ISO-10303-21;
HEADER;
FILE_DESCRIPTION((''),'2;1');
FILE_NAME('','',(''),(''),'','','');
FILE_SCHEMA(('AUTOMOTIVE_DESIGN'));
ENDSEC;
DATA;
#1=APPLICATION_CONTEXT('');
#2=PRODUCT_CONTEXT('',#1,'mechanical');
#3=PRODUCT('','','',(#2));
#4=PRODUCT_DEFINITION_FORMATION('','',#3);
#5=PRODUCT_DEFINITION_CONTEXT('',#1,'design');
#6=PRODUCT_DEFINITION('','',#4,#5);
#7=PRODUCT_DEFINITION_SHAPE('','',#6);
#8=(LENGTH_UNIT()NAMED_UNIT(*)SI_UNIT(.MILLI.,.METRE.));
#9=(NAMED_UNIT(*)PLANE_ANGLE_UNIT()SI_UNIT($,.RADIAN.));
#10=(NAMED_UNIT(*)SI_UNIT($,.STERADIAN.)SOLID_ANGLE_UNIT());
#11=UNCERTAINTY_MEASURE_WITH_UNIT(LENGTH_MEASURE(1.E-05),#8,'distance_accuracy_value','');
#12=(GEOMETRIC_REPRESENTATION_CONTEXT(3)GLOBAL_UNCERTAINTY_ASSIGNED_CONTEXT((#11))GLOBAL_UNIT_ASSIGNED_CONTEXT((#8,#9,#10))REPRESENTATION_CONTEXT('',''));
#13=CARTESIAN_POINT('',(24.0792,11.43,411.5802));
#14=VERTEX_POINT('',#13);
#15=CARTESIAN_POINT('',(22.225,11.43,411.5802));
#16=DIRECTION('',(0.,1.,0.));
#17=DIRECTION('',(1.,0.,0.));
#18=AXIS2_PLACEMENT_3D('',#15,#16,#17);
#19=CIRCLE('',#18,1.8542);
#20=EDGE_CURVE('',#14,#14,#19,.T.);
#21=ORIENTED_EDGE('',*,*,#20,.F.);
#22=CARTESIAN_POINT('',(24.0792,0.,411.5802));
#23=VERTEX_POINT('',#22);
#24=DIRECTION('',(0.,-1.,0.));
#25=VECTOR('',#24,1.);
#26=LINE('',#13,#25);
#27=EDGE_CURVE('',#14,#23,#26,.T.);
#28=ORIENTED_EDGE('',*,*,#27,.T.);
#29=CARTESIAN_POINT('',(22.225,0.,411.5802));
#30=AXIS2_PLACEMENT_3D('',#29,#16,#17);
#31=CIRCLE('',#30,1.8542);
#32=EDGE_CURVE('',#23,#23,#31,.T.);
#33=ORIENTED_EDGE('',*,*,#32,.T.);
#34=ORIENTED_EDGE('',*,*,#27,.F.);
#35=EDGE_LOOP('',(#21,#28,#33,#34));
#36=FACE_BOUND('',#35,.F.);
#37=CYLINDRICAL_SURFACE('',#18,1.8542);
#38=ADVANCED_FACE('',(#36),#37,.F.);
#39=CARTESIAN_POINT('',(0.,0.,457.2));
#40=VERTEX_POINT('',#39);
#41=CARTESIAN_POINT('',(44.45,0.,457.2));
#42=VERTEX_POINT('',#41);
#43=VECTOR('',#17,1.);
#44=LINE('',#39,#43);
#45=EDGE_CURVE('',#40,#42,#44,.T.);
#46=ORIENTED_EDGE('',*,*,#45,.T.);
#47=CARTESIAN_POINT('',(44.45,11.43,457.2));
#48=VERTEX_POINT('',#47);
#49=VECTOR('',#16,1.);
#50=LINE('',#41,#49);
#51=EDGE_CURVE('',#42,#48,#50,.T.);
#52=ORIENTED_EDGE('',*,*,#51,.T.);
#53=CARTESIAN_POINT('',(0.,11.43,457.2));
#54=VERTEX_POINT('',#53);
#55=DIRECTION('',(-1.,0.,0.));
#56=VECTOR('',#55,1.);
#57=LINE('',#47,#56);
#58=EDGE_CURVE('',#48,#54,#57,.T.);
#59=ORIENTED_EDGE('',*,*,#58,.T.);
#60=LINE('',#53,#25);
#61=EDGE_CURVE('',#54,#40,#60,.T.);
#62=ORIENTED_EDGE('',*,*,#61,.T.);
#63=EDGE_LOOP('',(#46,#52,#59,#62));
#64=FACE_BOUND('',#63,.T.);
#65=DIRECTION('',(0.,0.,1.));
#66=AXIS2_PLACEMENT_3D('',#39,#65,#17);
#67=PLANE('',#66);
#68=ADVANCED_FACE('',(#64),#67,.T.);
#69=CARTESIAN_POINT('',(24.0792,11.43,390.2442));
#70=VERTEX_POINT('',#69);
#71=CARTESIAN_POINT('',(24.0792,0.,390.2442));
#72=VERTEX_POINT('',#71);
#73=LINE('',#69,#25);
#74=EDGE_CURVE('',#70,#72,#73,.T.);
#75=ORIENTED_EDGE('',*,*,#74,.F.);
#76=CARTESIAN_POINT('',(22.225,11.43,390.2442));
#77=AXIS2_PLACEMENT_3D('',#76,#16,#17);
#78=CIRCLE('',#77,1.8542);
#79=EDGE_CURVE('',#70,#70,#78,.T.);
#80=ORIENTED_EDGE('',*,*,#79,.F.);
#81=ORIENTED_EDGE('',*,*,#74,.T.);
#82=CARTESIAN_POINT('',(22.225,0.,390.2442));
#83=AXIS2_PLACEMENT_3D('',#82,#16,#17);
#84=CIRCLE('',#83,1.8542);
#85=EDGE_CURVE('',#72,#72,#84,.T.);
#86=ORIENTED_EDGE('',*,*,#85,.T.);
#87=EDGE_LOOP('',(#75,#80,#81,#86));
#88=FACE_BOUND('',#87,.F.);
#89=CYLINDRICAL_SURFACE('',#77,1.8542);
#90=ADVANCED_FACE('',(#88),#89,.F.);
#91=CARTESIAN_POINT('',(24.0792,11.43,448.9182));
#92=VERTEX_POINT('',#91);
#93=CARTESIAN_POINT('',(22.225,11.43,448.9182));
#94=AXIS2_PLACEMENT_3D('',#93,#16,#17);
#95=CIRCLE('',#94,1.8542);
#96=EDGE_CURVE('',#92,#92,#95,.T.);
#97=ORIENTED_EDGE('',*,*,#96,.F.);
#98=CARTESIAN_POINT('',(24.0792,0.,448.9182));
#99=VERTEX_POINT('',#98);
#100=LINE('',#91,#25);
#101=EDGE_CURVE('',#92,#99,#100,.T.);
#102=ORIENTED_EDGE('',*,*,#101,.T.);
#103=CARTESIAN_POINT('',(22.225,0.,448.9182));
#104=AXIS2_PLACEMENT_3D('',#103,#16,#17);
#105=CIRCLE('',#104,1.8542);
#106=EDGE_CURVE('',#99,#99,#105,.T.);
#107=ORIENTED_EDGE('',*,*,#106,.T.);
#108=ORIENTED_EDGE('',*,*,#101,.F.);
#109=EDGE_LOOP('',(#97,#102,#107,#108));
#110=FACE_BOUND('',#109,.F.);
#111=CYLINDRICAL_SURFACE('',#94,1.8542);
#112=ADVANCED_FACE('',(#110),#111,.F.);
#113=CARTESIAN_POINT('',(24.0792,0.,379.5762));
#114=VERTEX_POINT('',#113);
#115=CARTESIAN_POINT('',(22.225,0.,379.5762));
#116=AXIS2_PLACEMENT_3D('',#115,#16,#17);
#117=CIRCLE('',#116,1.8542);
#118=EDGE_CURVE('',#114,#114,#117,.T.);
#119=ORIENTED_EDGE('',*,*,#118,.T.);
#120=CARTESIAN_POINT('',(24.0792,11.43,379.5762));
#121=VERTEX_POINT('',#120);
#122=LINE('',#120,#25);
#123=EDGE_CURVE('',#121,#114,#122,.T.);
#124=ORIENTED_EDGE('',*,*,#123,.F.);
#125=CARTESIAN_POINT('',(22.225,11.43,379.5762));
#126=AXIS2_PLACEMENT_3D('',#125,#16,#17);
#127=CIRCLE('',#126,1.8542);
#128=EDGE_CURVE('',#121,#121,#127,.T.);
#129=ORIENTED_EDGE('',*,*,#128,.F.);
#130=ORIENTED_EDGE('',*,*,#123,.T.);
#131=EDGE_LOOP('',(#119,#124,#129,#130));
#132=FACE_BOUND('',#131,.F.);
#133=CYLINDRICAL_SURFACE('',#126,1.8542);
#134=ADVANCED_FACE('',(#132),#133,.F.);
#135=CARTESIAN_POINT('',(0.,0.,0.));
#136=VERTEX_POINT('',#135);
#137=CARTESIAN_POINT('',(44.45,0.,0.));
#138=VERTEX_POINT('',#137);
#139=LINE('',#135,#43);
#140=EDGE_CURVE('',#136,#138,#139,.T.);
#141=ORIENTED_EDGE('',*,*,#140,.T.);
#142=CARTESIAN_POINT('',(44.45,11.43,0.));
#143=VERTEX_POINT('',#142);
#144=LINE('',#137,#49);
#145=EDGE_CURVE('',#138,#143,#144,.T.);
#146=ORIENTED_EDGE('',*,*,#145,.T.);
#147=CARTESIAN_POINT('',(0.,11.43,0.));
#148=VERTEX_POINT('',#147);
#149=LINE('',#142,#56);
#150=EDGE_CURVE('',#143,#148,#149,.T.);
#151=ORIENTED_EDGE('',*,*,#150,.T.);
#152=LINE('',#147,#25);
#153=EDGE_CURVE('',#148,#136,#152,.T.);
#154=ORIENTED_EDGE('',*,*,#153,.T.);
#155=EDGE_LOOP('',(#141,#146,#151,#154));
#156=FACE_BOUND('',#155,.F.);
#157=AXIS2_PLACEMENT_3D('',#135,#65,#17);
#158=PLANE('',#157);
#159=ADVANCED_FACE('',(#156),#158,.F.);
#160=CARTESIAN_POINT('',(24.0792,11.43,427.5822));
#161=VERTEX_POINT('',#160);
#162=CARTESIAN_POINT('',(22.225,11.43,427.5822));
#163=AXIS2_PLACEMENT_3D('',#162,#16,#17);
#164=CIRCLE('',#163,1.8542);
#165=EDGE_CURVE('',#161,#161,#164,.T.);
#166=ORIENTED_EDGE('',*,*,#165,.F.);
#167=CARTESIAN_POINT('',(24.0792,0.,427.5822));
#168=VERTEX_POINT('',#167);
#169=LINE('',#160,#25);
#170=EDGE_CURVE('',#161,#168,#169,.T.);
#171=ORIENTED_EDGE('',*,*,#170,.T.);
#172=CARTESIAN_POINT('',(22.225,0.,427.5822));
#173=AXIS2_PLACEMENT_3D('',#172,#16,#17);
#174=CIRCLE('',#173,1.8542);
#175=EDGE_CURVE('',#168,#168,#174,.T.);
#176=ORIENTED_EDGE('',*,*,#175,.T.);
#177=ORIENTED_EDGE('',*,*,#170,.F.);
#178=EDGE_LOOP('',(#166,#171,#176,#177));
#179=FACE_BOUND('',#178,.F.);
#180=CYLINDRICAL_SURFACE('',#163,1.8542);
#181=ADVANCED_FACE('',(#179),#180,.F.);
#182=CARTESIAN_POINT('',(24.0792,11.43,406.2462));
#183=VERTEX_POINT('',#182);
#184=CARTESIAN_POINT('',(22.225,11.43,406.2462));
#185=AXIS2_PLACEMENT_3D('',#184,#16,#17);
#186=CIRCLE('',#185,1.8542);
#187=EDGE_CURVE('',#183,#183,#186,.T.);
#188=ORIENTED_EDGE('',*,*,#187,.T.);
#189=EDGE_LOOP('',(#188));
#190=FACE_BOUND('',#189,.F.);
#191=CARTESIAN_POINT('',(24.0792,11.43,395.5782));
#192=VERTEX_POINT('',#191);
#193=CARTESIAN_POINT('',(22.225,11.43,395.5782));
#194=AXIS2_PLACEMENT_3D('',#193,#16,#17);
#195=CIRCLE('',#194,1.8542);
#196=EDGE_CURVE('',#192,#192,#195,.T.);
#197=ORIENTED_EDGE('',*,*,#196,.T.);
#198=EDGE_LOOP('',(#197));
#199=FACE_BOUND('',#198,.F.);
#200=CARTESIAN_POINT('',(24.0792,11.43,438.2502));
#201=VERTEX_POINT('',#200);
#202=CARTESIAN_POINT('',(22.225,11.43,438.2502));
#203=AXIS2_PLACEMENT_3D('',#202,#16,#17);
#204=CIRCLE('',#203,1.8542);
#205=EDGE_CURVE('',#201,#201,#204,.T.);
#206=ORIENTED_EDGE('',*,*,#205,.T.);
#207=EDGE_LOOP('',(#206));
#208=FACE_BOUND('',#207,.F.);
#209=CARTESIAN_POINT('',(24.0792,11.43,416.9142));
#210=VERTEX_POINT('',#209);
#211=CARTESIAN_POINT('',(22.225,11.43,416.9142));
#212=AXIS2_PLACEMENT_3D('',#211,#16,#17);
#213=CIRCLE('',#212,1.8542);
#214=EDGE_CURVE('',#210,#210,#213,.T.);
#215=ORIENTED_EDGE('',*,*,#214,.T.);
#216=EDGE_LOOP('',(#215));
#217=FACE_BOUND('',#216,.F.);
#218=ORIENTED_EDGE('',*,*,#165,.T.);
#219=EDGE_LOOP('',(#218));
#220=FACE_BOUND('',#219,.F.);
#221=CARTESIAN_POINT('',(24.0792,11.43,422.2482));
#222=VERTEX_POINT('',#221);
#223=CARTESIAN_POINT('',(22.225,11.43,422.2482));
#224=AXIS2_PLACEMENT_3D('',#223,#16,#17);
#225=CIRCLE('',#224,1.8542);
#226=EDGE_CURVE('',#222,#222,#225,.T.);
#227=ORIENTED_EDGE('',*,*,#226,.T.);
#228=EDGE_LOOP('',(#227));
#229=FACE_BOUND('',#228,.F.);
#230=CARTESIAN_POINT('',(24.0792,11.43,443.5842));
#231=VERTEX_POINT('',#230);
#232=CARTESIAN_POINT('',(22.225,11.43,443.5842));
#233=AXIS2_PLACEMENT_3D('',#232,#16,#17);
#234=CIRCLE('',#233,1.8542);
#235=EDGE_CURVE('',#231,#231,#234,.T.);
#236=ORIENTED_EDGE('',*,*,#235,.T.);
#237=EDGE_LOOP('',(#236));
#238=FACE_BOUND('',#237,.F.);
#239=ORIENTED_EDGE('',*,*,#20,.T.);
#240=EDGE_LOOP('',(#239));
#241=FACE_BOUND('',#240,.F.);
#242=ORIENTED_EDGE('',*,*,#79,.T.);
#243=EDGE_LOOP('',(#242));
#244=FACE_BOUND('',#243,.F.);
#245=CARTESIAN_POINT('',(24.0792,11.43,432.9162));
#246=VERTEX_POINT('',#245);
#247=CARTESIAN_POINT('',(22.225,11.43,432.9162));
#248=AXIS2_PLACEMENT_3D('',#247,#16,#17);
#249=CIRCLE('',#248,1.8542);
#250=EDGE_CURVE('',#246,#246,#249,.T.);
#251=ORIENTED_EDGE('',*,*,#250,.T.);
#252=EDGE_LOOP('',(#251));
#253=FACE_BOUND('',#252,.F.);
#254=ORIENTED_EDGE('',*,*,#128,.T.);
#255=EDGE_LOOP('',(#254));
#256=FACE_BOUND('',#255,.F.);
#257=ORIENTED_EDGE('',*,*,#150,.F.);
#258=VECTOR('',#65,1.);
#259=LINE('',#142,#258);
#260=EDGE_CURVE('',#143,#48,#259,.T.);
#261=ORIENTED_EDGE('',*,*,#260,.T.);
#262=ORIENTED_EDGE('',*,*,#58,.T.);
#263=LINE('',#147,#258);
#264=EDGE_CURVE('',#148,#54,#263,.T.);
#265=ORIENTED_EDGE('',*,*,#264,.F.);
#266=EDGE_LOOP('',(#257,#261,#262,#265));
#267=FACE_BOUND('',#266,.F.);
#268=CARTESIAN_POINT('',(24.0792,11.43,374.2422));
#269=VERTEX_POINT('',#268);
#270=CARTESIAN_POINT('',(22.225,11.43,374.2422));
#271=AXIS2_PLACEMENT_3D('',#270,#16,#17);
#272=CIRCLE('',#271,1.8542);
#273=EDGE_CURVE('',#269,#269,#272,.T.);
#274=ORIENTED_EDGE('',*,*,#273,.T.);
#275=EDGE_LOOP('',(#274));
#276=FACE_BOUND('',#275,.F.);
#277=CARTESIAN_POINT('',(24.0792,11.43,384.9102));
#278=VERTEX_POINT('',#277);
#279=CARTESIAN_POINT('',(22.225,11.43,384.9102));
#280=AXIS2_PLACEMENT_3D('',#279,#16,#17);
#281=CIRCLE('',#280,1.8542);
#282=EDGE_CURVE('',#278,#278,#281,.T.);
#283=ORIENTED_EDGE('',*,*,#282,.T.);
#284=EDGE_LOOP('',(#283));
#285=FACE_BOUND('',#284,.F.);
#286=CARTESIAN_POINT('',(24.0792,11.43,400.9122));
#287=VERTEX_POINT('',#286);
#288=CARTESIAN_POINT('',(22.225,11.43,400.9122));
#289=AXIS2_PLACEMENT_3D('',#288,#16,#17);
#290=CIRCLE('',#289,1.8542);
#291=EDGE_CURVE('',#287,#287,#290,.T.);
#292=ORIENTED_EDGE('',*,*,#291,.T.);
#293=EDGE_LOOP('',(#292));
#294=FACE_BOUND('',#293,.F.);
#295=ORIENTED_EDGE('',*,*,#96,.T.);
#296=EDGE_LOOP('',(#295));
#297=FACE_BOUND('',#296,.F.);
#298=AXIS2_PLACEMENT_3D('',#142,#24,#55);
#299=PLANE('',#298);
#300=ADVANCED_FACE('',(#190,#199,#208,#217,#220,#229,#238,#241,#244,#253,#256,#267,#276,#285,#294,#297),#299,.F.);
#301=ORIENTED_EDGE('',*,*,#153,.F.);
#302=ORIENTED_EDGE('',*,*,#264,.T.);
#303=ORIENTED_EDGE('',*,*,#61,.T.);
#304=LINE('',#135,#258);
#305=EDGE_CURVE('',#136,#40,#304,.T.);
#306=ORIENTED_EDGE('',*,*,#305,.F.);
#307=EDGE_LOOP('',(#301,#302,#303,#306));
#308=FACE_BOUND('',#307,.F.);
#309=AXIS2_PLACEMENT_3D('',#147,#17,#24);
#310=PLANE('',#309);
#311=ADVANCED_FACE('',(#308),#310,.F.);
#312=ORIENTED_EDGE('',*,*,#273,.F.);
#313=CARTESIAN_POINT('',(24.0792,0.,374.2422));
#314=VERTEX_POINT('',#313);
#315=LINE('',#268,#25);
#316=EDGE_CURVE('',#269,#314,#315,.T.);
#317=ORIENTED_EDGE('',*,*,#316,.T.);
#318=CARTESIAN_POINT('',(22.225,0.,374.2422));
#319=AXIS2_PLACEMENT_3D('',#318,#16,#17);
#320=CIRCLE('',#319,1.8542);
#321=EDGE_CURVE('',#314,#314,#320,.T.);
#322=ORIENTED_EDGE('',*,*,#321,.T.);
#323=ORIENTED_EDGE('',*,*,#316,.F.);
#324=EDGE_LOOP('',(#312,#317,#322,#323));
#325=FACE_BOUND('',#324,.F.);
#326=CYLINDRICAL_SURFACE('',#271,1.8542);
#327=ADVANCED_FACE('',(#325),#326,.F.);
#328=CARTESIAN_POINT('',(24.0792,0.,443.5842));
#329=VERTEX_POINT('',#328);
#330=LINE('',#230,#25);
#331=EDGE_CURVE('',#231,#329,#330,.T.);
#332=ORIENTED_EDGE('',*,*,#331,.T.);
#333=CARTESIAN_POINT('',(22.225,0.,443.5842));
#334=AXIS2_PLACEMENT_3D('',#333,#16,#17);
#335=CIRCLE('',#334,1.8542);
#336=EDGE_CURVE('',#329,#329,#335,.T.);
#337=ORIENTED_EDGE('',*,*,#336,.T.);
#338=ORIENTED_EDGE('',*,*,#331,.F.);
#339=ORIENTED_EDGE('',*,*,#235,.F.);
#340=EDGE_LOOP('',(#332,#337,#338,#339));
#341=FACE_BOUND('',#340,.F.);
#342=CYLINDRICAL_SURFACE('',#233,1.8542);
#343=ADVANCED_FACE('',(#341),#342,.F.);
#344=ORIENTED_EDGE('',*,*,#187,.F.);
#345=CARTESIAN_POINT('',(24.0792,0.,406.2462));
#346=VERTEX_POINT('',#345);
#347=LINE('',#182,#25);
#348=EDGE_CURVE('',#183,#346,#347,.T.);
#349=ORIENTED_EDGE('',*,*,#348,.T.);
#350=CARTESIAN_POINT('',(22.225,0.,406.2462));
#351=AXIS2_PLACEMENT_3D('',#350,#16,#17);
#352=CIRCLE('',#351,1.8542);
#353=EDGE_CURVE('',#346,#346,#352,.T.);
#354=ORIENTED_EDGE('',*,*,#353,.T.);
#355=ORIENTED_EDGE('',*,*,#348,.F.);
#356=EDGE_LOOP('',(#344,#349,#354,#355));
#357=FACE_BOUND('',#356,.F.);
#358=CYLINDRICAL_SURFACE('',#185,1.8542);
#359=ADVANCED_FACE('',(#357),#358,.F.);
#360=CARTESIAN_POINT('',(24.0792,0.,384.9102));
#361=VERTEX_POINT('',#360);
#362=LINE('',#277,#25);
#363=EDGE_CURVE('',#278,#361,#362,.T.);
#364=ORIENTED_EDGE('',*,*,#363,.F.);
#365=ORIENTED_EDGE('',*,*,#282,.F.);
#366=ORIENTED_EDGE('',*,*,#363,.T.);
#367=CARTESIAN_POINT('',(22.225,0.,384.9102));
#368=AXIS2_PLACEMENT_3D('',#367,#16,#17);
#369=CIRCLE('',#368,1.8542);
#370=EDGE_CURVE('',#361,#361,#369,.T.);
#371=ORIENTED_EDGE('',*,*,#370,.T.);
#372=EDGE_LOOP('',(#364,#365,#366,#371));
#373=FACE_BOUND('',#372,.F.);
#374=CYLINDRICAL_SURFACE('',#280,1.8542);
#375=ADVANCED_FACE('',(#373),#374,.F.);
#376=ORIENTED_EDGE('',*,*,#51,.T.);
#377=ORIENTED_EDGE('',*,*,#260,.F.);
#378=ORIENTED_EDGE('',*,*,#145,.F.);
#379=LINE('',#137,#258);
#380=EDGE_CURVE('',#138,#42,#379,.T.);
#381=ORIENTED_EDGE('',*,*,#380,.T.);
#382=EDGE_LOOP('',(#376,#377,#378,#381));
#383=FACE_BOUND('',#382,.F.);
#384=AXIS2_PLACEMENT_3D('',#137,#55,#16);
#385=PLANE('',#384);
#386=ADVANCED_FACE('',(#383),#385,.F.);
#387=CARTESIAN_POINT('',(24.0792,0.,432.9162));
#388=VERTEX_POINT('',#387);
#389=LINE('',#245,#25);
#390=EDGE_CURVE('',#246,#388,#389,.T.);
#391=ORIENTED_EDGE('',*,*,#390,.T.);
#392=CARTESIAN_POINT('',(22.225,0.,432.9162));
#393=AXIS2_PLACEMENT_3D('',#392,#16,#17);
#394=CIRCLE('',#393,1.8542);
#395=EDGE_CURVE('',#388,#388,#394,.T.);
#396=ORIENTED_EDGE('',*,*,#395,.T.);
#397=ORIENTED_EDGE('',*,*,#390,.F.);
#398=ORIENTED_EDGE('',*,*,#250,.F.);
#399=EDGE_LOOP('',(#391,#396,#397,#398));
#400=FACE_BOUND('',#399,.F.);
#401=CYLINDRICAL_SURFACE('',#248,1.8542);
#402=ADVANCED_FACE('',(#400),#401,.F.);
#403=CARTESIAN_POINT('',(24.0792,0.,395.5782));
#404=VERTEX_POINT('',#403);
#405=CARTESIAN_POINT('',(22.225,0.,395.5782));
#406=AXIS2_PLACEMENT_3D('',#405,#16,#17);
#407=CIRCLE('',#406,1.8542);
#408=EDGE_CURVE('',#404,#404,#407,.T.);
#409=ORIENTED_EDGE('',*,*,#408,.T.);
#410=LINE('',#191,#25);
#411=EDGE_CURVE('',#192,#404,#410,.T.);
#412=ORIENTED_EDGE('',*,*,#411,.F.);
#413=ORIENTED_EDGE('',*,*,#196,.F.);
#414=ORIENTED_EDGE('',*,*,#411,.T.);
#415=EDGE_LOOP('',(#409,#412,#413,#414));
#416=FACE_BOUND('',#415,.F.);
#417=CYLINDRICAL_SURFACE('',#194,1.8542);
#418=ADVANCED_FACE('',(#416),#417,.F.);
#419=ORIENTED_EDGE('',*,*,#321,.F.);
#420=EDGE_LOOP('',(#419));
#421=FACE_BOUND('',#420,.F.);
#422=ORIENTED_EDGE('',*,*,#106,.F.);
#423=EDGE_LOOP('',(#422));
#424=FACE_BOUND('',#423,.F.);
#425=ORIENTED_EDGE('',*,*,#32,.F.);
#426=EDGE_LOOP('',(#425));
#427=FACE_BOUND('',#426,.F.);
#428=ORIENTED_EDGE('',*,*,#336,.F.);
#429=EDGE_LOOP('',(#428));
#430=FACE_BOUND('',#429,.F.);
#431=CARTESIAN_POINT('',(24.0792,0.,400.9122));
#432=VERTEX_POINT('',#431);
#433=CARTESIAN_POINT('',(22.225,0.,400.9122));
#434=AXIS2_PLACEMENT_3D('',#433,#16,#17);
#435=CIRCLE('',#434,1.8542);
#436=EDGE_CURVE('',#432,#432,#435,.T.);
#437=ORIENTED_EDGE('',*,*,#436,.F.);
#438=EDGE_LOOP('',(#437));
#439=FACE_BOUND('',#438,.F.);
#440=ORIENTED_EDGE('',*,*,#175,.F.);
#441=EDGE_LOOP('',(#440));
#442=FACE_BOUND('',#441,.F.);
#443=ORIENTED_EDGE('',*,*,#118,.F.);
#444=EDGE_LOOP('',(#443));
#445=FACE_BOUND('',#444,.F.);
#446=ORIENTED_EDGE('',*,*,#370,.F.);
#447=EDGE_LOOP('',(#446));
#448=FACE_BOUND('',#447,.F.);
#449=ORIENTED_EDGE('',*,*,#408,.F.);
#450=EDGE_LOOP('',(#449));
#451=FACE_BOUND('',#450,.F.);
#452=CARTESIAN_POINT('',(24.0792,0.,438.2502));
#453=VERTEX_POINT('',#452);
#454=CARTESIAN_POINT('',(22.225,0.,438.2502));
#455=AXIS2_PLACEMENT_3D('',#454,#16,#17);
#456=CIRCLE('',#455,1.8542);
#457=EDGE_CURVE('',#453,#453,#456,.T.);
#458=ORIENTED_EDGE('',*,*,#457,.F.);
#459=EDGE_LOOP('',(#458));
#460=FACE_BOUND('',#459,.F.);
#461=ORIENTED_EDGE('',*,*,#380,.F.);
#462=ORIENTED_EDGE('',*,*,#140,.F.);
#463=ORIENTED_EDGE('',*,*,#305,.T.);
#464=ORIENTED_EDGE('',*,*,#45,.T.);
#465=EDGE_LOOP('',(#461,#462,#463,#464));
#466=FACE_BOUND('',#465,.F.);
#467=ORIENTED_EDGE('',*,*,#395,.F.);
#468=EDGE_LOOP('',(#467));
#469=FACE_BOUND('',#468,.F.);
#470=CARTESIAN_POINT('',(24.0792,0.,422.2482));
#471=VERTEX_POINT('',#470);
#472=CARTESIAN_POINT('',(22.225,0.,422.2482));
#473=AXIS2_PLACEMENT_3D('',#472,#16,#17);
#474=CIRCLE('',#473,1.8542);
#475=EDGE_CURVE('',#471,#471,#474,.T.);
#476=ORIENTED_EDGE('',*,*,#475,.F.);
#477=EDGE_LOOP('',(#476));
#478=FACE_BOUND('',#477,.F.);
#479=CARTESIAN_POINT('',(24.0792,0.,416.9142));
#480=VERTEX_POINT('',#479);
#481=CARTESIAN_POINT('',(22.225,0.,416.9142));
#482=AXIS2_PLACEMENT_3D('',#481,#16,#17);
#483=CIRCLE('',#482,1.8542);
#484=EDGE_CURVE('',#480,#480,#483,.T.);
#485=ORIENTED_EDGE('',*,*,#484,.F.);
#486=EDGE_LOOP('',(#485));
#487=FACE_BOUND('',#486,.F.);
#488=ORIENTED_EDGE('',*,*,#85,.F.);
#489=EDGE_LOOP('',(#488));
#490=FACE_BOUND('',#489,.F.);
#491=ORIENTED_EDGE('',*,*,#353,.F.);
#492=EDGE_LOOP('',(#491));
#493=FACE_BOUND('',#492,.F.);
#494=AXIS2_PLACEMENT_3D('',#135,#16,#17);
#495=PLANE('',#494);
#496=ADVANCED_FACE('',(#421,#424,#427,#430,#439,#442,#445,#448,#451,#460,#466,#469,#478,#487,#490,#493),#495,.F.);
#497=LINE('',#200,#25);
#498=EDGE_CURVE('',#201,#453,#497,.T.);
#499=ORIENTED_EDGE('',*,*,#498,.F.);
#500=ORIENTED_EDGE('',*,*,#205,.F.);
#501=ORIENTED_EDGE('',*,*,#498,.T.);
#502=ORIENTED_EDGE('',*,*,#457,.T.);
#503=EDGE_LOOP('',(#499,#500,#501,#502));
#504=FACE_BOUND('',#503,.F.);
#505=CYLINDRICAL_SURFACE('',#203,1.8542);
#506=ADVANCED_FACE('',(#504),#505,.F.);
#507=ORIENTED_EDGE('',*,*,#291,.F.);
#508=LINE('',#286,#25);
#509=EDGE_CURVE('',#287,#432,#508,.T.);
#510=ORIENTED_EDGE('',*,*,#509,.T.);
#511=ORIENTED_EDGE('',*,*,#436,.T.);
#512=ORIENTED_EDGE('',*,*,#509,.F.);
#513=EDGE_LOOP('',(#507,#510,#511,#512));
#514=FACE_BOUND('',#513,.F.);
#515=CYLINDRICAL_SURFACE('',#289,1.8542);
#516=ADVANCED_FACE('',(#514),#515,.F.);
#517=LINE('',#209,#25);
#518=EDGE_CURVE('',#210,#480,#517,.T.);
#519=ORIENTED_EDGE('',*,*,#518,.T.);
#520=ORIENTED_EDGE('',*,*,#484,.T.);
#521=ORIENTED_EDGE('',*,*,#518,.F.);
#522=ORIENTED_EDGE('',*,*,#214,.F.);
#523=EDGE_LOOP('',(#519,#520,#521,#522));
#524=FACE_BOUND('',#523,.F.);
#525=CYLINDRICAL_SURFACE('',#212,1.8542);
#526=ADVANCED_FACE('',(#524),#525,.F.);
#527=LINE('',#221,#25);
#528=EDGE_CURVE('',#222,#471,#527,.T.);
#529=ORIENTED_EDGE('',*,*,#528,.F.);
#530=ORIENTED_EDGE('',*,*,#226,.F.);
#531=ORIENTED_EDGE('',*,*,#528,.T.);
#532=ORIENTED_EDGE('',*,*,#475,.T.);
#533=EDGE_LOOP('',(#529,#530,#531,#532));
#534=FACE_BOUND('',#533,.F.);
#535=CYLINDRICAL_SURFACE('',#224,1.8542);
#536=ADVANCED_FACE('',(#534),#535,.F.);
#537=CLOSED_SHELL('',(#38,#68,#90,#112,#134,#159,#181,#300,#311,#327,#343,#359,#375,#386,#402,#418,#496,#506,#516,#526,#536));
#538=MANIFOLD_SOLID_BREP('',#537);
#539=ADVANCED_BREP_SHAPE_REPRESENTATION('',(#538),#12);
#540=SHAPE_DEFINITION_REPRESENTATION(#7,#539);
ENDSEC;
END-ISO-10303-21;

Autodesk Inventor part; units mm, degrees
ref_plane "YZ Plane" through (0, 0, 0) normal (1, 0, 0) x (0, 1, 0)
ref_plane "XZ Plane" through (0, 0, 0) normal (0, 1, 0) x (-1, 0, 0)
ref_plane "XY Plane" through (0, 0, 0) normal (0, 0, 1) x (1, 0, 0)
sketch "Sketch1" plane through (0, 0, 0) normal (0, 0, 1) x (1, 0, 0)
  line L0 (0, 0) -> (44.45, 0)
  line L1 (44.45, 0) -> (44.45, 11.43)
  line L2 (44.45, 11.43) -> (0, 11.43)
  line L3 (0, 11.43) -> (0, 0)
  dimension "d0" = 44.45
  dimension "d1" = 11.43
extrude "Extrusion1" add sketch "Sketch1" along normal blind 457.2
ref_plane "Work Plane1" through (22.225, 0, 0) normal (1, 0, 0) x (0, 0, -1)
sketch "Sketch2" plane through (0, 11.43, 0) normal (0, 1, 0) x (1, 0, 0)
  circle A0 centre (22.225, -448.9182) radius 1.8542
  dimension "d4" = 3.7084
extrude "Extrusion2" cut sketch "Sketch2" against normal blind 25.4
pattern_linear "Rectangular Pattern1" count 15 spacing 5.334 along (0, 0, -1) of "Extrusion2"
properties part number "16 Drawer Slide"
